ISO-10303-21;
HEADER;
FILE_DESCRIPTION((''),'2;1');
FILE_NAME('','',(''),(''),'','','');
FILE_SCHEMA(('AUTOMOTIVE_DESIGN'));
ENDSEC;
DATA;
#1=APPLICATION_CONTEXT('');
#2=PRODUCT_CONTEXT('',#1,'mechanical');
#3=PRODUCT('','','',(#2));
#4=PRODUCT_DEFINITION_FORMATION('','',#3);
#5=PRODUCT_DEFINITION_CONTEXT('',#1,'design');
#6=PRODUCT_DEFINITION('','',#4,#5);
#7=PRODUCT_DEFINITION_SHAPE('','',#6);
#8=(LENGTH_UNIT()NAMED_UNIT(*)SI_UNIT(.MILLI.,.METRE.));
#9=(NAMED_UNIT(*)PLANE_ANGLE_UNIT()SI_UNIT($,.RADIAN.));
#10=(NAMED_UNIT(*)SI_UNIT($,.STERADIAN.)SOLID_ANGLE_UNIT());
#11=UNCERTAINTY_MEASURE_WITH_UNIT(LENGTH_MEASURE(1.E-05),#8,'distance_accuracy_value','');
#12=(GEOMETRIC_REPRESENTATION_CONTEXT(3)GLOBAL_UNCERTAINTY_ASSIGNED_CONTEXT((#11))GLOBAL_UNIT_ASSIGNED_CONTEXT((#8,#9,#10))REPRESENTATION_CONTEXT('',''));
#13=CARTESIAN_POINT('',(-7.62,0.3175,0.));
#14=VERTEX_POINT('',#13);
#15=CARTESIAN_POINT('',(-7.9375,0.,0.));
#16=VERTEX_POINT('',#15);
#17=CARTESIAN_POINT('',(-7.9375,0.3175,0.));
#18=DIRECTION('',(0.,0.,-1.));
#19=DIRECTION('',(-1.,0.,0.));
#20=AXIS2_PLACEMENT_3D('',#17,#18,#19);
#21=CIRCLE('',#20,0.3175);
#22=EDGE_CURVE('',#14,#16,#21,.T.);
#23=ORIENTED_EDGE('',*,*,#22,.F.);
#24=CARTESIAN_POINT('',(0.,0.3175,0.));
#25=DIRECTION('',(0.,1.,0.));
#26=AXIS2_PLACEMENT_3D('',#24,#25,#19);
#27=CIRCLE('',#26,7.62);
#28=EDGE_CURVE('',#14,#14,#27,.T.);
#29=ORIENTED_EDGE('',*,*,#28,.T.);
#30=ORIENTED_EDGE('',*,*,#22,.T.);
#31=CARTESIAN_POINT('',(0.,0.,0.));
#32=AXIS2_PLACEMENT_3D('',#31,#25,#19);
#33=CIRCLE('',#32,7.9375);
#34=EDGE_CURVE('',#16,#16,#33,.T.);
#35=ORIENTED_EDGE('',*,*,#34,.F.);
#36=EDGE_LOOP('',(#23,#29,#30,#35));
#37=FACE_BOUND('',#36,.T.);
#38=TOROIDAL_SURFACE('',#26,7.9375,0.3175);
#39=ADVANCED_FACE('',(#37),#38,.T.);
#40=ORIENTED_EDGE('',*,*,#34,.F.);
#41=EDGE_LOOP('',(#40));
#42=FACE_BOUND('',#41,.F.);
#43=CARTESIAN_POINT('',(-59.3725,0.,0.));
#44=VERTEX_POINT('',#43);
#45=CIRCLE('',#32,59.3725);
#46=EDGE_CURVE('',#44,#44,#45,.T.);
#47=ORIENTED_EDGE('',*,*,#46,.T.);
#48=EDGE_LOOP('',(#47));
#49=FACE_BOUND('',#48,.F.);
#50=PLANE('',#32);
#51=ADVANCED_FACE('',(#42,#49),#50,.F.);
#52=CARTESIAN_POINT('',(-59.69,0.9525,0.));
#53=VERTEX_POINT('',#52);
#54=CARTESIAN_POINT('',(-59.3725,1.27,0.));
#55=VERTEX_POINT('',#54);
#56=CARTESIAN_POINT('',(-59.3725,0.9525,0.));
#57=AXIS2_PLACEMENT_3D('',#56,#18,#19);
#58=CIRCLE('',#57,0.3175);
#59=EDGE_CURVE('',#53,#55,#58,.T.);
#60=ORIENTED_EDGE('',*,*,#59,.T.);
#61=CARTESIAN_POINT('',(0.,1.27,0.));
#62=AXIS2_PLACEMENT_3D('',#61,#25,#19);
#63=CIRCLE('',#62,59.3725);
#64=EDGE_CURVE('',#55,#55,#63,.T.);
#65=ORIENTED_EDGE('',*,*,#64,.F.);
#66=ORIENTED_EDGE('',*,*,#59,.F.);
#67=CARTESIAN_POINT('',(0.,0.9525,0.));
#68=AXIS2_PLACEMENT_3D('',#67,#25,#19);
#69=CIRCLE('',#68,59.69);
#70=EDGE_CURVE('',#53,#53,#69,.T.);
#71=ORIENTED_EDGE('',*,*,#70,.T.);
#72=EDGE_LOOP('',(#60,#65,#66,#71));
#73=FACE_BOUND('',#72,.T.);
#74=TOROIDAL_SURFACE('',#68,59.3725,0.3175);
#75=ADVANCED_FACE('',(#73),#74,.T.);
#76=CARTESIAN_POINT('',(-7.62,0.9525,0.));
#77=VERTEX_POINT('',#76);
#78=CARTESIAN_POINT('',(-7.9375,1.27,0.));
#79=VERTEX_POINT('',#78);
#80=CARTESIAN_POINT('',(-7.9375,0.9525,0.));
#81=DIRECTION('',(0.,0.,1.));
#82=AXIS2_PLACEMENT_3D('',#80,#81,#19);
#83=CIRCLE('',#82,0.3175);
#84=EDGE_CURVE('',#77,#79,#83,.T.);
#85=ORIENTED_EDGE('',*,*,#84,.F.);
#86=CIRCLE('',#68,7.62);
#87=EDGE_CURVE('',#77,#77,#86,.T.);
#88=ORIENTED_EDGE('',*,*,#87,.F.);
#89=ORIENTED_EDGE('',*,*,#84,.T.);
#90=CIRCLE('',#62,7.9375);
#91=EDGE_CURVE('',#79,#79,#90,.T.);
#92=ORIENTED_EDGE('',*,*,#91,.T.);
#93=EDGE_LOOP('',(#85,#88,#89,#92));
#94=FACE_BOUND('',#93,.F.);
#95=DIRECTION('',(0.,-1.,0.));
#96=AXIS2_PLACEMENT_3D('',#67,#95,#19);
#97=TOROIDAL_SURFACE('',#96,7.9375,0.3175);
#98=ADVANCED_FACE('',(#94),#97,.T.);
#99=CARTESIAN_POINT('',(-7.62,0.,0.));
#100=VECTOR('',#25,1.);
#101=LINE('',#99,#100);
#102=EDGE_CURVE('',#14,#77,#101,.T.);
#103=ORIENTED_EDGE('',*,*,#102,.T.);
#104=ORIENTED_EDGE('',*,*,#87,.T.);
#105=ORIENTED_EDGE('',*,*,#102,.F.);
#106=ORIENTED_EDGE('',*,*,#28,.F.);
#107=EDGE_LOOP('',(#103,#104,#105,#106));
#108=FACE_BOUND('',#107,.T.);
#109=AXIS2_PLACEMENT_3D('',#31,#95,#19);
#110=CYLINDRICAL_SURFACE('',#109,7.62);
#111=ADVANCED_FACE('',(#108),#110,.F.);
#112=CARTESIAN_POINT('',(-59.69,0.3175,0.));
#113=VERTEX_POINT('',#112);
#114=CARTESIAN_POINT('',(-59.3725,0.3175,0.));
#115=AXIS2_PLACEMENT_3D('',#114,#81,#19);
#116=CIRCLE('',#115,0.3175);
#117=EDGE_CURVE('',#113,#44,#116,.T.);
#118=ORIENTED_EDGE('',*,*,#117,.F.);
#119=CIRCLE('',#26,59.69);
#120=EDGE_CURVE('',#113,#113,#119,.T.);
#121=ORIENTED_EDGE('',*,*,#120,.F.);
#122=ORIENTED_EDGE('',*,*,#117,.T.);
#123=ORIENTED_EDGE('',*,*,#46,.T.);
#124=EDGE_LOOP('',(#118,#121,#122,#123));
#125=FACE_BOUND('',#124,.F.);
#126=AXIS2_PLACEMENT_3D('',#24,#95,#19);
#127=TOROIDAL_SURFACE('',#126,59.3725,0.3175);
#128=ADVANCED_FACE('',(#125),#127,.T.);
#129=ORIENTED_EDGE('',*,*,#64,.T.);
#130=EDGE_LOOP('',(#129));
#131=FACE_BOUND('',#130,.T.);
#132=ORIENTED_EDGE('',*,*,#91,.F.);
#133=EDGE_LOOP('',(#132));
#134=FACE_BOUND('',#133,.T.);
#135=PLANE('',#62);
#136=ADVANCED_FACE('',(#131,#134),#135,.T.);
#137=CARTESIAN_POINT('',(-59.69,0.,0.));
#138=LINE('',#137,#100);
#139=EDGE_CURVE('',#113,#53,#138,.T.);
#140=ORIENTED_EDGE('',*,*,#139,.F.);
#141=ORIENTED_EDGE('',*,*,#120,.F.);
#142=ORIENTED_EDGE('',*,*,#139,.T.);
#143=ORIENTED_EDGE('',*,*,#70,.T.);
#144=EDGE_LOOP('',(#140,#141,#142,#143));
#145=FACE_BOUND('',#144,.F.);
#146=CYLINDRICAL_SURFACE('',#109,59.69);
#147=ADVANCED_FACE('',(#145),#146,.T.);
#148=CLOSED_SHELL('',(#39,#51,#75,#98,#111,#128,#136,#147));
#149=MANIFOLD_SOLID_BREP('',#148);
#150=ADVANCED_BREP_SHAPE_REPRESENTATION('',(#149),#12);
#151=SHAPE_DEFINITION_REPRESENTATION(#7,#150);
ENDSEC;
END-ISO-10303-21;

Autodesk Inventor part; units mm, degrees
ref_plane "YZ Plane" through (0, 0, 0) normal (1, 0, 0) x (0, 1, 0)
ref_plane "XZ Plane" through (0, 0, 0) normal (0, 1, 0) x (-1, 0, 0)
ref_plane "XY Plane" through (0, 0, 0) normal (0, 0, 1) x (1, 0, 0)
sketch "Sketch1" plane through (0, 0, 0) normal (0, 1, 0) x (-1, 0, 0)
  circle A0 centre (0, 0) radius 7.62
  circle A1 centre (0, 0) radius 59.69
  dimension "d0" = 15.24
  dimension "d1" = 119.38
extrude "Extrusion1" add sketch "Sketch1" along normal blind 1.27
fillet "Fillet1" radius 0.3175 4 edges at (59.69, 1.27, 0) (59.69, 0, 0) (7.62, 1.27, 0) (7.62, 0, 0)
properties part number "CD"
